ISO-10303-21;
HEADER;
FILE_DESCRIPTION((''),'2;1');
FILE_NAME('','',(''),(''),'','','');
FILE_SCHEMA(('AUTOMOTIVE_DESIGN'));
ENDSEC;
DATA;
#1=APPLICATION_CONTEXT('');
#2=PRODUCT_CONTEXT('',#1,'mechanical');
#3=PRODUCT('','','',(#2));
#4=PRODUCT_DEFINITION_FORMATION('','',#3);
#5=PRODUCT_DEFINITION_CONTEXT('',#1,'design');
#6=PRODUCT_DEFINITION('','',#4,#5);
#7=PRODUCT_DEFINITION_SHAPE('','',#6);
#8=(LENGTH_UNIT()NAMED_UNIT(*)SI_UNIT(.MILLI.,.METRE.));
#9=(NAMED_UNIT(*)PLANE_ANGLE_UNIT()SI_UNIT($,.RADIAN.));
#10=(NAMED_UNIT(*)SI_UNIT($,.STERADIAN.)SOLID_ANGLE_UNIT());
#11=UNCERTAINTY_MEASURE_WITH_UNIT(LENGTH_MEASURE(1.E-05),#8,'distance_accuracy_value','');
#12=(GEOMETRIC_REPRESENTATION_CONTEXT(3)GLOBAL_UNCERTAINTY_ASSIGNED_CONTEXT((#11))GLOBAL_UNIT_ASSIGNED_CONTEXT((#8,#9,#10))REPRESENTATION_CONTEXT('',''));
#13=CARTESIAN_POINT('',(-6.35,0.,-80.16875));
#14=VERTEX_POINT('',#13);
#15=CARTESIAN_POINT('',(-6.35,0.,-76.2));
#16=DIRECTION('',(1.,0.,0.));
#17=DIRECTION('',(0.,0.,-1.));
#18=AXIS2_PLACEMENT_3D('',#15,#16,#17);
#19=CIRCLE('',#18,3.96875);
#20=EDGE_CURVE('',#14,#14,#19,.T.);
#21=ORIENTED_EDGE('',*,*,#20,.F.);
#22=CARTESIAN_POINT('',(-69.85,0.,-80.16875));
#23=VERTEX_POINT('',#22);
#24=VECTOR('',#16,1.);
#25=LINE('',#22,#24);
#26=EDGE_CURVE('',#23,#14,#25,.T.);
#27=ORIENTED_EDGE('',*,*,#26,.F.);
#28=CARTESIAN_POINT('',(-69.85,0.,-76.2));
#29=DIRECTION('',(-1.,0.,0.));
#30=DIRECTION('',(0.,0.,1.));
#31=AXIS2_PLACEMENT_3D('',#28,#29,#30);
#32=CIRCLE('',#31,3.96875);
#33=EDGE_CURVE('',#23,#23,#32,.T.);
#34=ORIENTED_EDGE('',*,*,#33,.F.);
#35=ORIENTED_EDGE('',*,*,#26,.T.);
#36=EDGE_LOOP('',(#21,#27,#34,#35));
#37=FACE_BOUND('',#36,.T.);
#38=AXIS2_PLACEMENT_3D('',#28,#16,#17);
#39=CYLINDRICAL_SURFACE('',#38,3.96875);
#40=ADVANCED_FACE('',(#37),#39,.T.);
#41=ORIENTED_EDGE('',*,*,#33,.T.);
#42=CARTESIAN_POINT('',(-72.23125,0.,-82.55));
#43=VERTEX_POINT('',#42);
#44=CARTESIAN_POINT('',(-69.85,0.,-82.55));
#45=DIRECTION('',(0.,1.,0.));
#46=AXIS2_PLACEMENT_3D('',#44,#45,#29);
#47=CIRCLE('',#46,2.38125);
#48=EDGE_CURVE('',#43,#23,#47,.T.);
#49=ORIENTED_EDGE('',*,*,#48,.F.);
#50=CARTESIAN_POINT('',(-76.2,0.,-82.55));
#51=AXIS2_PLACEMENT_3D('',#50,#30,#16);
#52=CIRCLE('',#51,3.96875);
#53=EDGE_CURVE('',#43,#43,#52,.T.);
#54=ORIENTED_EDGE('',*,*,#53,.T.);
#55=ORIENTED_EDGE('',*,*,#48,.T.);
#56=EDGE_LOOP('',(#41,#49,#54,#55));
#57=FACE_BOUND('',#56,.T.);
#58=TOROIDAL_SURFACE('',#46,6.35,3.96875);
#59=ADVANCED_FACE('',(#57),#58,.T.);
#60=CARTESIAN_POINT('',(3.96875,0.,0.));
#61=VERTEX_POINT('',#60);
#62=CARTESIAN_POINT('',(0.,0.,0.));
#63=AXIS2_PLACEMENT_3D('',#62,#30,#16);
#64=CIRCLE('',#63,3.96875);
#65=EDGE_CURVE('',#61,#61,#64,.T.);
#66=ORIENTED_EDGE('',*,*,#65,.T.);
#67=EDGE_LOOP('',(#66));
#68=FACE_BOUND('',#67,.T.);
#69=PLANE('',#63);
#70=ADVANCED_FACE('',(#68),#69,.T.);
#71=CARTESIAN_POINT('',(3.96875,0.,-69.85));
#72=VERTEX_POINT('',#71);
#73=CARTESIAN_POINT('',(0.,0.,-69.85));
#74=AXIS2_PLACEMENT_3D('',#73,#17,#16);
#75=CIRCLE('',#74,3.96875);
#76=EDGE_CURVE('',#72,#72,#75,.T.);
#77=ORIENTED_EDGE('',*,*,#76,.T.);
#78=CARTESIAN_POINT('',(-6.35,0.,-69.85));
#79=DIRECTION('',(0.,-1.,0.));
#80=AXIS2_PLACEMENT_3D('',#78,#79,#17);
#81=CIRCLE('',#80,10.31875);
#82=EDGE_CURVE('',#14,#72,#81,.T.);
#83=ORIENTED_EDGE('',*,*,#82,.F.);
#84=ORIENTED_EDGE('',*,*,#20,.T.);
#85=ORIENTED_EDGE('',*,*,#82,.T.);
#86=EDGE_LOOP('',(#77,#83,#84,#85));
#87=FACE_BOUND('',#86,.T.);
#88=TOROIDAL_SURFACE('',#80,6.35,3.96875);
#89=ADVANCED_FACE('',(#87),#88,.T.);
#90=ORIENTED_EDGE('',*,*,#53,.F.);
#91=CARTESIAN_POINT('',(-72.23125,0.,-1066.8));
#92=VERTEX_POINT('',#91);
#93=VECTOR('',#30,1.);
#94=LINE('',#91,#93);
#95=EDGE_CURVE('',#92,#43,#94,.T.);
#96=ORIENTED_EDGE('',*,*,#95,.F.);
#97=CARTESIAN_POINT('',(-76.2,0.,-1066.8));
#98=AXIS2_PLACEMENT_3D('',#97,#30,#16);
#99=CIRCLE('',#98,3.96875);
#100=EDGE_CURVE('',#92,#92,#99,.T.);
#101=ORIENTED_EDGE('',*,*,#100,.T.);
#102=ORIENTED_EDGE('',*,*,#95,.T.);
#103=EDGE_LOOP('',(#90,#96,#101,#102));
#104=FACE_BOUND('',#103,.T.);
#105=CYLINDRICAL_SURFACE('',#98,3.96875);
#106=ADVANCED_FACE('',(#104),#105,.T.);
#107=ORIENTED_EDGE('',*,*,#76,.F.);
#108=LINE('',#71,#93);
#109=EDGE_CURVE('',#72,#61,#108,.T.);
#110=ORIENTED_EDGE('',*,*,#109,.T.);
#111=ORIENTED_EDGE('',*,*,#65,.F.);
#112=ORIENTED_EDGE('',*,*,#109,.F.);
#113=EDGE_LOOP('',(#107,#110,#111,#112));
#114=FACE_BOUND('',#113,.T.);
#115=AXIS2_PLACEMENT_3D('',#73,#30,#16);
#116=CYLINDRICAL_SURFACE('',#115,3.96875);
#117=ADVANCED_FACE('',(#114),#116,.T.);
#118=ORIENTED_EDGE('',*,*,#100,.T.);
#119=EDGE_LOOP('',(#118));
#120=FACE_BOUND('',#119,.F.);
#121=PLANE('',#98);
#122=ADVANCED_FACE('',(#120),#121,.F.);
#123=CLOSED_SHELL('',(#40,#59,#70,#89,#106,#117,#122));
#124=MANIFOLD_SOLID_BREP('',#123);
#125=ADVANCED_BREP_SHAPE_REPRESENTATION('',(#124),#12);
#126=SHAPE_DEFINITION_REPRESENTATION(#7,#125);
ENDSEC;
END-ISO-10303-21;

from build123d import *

# Parameters (mm, degrees)
F1_R = 3.96875


with BuildPart() as f2:
    # F2: sweep along a path in F0
    with BuildLine(Plane.XZ) as f2_path:
        Line((-76.2, -1066.8), (-76.2, -82.55))
        ThreePointArc((-76.2, -82.55), (-74.3401280605, -78.0598719395), (-69.85, -76.2))
        Line((-69.85, -76.2), (-6.35, -76.2))
        ThreePointArc((-6.35, -76.2), (-1.8598719395, -74.3401280605), (0, -69.85))
        Line((0, -69.85), (0, 0))
    # F1 (on Top) → F2 (sweep)
    with BuildSketch(Plane.XY):
        Circle(F1_R)
    sweep(path=f2_path.line)


solid = f2.part
